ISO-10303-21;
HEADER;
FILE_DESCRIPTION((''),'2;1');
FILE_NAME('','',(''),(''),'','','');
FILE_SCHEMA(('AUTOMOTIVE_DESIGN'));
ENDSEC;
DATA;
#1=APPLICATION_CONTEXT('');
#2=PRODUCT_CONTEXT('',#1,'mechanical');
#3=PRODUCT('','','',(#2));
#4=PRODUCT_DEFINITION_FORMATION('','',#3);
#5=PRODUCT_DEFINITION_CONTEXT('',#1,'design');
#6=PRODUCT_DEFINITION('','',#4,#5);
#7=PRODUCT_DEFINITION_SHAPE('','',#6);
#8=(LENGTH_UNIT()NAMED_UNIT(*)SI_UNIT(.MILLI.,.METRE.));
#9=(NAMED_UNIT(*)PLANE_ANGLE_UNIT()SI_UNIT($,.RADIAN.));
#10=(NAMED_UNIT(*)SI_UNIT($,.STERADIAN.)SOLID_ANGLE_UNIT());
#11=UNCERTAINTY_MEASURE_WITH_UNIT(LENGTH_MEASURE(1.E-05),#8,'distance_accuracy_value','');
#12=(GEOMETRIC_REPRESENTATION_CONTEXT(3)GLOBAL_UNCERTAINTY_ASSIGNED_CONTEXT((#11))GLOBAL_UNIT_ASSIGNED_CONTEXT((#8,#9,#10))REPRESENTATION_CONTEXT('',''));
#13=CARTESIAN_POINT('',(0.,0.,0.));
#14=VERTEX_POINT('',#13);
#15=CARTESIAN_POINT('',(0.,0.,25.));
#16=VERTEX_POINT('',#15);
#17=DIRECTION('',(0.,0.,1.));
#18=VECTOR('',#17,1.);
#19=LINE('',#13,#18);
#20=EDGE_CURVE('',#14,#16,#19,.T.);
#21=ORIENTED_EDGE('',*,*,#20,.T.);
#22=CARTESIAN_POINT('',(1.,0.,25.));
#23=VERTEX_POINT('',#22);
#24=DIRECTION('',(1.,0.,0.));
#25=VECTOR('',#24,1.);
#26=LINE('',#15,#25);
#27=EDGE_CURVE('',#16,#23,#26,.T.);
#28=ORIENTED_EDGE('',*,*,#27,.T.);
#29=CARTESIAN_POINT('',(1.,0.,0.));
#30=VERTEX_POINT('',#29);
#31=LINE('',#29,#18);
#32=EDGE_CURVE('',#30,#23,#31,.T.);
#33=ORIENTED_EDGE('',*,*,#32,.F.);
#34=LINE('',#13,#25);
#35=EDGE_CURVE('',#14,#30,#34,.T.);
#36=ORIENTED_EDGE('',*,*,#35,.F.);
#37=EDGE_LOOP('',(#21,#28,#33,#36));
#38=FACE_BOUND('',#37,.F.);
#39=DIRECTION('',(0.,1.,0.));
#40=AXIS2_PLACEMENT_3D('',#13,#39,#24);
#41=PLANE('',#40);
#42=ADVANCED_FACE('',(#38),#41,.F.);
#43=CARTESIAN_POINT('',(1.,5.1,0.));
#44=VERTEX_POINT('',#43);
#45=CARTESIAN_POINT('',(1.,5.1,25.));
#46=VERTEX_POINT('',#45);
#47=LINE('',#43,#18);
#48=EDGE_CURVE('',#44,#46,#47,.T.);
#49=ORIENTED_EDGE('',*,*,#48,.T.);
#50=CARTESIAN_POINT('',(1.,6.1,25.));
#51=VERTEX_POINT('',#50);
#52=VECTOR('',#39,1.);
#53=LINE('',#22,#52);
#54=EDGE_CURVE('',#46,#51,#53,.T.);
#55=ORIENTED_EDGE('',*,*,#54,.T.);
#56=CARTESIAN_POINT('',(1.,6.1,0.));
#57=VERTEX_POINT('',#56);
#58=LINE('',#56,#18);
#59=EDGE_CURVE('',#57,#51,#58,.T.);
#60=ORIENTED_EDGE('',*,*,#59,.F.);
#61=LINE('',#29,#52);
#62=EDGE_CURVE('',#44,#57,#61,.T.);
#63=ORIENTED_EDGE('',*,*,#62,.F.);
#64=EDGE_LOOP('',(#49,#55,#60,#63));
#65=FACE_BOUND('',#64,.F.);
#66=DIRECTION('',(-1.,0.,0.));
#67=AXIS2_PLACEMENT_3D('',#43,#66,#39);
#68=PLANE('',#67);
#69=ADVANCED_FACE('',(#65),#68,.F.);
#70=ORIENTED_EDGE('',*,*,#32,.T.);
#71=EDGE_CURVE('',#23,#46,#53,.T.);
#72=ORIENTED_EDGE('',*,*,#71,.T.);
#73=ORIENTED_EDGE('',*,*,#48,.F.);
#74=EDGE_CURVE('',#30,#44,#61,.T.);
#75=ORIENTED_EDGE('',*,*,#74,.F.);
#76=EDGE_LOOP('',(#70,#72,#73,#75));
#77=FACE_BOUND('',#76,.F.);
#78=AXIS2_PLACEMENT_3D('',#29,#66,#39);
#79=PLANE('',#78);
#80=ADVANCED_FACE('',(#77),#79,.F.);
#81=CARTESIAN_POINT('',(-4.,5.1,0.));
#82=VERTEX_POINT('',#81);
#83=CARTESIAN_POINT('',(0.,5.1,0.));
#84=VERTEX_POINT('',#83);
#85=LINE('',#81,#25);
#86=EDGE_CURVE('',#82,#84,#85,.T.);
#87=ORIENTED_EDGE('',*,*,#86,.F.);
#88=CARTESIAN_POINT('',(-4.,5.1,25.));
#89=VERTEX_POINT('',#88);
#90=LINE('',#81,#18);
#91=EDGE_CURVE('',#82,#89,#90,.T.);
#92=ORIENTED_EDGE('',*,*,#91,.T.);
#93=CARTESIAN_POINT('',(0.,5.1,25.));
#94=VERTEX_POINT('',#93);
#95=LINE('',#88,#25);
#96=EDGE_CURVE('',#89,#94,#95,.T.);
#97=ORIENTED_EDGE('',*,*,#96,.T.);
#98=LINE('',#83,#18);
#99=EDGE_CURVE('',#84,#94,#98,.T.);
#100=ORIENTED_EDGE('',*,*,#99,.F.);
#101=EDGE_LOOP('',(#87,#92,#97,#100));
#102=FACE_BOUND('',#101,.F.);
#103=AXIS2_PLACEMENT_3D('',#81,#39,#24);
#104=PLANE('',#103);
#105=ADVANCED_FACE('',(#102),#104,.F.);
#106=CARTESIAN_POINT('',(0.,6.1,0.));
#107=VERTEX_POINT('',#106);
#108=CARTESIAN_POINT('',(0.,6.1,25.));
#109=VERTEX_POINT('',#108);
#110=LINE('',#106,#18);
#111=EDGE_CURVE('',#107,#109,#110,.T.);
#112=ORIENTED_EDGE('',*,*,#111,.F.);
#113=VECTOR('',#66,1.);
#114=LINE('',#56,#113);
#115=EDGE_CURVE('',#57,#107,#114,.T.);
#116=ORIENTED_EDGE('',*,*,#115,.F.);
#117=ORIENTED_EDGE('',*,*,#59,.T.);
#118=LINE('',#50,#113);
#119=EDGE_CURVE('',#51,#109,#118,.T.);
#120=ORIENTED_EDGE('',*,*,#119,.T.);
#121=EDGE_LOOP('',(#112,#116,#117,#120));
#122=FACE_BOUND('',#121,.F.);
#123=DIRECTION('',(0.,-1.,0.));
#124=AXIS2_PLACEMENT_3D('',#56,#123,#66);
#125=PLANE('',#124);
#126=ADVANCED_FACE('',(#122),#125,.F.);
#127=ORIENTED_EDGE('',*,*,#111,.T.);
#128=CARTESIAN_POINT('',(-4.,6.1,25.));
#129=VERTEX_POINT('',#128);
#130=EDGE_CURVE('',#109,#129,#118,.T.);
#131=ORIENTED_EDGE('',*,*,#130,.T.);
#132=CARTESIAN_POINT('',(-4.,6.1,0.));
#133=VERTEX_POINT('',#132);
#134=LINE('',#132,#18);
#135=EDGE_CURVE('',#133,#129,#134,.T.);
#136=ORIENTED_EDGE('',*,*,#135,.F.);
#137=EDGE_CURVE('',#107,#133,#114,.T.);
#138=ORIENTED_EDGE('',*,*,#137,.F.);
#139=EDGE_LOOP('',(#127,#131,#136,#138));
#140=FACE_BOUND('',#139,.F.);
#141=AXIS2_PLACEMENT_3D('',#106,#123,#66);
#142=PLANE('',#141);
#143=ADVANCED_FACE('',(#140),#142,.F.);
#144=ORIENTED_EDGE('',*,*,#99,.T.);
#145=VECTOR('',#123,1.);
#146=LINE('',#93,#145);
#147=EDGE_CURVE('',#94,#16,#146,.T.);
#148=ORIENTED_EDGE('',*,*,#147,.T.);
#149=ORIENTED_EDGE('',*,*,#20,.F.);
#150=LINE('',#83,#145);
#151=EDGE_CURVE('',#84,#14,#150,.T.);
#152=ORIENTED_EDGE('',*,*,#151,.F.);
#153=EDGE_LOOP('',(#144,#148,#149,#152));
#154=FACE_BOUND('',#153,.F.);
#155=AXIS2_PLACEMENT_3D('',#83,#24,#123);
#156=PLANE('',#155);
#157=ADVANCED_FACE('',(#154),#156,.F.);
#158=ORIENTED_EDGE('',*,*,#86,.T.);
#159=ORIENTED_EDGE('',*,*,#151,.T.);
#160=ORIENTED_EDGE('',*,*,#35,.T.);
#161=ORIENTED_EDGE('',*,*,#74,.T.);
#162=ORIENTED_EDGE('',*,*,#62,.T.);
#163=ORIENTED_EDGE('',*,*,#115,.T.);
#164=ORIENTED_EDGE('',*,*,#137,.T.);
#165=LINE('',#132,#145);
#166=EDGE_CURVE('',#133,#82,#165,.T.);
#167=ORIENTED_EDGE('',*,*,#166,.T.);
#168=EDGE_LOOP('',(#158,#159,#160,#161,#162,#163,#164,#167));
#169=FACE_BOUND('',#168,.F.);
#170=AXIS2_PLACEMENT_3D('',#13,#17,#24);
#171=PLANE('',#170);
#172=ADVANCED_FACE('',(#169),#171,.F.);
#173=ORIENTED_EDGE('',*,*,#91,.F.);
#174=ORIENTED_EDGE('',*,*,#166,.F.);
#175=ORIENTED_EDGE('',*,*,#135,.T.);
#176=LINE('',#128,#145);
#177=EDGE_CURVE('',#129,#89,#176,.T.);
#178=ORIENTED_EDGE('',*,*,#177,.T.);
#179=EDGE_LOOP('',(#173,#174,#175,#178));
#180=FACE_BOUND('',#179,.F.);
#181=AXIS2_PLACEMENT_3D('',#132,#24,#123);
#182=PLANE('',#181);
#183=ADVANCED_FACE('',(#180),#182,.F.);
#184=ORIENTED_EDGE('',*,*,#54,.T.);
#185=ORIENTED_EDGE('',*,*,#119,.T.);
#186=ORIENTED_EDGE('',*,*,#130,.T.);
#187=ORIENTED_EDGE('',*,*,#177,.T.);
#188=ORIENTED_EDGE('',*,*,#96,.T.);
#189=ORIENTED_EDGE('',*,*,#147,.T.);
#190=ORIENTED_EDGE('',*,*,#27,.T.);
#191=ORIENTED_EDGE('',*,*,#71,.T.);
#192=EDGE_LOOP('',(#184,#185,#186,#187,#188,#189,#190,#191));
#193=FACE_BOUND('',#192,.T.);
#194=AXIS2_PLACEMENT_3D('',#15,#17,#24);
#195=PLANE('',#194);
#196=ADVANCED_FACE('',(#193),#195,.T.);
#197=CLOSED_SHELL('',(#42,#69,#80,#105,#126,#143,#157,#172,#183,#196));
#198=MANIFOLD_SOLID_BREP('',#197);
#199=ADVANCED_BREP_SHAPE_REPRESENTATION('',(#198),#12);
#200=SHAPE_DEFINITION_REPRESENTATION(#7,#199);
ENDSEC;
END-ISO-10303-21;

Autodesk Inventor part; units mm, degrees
ref_plane "YZ Plane" through (0, 0, 0) normal (1, 0, 0) x (0, 1, 0)
ref_plane "XZ Plane" through (0, 0, 0) normal (0, 1, 0) x (-1, 0, 0)
ref_plane "XY Plane" through (0, 0, 0) normal (0, 0, 1) x (1, 0, 0)
sketch "Эскиз1" plane through (0, 0, 0) normal (0, 0, 1) x (1, 0, 0)
  line L0 (0, 0) -> (1, 0)
  line L1 (1, 0) -> (1, 6.1)
  line L2 (1, 6.1) -> (0, 6.1)
  line L3 (0, 5.1) -> (0, 0)
  line L4 (1, 6.1) -> (-4, 6.1)
  line L5 (-4, 6.1) -> (-4, 5.1)
  line L6 (-4, 5.1) -> (0, 5.1)
  line L7 (1, 5.1) -> (1, 6.1)
  point P0 (0.5, 0)
  dimension "d0" = 6.1
  dimension "d1" = 5.1
  dimension "d2" = 4
  dimension "d3" = 1
extrude "Выдавливание1" add sketch "Эскиз1" along normal blind 25
properties part number "рельса крышечки"
